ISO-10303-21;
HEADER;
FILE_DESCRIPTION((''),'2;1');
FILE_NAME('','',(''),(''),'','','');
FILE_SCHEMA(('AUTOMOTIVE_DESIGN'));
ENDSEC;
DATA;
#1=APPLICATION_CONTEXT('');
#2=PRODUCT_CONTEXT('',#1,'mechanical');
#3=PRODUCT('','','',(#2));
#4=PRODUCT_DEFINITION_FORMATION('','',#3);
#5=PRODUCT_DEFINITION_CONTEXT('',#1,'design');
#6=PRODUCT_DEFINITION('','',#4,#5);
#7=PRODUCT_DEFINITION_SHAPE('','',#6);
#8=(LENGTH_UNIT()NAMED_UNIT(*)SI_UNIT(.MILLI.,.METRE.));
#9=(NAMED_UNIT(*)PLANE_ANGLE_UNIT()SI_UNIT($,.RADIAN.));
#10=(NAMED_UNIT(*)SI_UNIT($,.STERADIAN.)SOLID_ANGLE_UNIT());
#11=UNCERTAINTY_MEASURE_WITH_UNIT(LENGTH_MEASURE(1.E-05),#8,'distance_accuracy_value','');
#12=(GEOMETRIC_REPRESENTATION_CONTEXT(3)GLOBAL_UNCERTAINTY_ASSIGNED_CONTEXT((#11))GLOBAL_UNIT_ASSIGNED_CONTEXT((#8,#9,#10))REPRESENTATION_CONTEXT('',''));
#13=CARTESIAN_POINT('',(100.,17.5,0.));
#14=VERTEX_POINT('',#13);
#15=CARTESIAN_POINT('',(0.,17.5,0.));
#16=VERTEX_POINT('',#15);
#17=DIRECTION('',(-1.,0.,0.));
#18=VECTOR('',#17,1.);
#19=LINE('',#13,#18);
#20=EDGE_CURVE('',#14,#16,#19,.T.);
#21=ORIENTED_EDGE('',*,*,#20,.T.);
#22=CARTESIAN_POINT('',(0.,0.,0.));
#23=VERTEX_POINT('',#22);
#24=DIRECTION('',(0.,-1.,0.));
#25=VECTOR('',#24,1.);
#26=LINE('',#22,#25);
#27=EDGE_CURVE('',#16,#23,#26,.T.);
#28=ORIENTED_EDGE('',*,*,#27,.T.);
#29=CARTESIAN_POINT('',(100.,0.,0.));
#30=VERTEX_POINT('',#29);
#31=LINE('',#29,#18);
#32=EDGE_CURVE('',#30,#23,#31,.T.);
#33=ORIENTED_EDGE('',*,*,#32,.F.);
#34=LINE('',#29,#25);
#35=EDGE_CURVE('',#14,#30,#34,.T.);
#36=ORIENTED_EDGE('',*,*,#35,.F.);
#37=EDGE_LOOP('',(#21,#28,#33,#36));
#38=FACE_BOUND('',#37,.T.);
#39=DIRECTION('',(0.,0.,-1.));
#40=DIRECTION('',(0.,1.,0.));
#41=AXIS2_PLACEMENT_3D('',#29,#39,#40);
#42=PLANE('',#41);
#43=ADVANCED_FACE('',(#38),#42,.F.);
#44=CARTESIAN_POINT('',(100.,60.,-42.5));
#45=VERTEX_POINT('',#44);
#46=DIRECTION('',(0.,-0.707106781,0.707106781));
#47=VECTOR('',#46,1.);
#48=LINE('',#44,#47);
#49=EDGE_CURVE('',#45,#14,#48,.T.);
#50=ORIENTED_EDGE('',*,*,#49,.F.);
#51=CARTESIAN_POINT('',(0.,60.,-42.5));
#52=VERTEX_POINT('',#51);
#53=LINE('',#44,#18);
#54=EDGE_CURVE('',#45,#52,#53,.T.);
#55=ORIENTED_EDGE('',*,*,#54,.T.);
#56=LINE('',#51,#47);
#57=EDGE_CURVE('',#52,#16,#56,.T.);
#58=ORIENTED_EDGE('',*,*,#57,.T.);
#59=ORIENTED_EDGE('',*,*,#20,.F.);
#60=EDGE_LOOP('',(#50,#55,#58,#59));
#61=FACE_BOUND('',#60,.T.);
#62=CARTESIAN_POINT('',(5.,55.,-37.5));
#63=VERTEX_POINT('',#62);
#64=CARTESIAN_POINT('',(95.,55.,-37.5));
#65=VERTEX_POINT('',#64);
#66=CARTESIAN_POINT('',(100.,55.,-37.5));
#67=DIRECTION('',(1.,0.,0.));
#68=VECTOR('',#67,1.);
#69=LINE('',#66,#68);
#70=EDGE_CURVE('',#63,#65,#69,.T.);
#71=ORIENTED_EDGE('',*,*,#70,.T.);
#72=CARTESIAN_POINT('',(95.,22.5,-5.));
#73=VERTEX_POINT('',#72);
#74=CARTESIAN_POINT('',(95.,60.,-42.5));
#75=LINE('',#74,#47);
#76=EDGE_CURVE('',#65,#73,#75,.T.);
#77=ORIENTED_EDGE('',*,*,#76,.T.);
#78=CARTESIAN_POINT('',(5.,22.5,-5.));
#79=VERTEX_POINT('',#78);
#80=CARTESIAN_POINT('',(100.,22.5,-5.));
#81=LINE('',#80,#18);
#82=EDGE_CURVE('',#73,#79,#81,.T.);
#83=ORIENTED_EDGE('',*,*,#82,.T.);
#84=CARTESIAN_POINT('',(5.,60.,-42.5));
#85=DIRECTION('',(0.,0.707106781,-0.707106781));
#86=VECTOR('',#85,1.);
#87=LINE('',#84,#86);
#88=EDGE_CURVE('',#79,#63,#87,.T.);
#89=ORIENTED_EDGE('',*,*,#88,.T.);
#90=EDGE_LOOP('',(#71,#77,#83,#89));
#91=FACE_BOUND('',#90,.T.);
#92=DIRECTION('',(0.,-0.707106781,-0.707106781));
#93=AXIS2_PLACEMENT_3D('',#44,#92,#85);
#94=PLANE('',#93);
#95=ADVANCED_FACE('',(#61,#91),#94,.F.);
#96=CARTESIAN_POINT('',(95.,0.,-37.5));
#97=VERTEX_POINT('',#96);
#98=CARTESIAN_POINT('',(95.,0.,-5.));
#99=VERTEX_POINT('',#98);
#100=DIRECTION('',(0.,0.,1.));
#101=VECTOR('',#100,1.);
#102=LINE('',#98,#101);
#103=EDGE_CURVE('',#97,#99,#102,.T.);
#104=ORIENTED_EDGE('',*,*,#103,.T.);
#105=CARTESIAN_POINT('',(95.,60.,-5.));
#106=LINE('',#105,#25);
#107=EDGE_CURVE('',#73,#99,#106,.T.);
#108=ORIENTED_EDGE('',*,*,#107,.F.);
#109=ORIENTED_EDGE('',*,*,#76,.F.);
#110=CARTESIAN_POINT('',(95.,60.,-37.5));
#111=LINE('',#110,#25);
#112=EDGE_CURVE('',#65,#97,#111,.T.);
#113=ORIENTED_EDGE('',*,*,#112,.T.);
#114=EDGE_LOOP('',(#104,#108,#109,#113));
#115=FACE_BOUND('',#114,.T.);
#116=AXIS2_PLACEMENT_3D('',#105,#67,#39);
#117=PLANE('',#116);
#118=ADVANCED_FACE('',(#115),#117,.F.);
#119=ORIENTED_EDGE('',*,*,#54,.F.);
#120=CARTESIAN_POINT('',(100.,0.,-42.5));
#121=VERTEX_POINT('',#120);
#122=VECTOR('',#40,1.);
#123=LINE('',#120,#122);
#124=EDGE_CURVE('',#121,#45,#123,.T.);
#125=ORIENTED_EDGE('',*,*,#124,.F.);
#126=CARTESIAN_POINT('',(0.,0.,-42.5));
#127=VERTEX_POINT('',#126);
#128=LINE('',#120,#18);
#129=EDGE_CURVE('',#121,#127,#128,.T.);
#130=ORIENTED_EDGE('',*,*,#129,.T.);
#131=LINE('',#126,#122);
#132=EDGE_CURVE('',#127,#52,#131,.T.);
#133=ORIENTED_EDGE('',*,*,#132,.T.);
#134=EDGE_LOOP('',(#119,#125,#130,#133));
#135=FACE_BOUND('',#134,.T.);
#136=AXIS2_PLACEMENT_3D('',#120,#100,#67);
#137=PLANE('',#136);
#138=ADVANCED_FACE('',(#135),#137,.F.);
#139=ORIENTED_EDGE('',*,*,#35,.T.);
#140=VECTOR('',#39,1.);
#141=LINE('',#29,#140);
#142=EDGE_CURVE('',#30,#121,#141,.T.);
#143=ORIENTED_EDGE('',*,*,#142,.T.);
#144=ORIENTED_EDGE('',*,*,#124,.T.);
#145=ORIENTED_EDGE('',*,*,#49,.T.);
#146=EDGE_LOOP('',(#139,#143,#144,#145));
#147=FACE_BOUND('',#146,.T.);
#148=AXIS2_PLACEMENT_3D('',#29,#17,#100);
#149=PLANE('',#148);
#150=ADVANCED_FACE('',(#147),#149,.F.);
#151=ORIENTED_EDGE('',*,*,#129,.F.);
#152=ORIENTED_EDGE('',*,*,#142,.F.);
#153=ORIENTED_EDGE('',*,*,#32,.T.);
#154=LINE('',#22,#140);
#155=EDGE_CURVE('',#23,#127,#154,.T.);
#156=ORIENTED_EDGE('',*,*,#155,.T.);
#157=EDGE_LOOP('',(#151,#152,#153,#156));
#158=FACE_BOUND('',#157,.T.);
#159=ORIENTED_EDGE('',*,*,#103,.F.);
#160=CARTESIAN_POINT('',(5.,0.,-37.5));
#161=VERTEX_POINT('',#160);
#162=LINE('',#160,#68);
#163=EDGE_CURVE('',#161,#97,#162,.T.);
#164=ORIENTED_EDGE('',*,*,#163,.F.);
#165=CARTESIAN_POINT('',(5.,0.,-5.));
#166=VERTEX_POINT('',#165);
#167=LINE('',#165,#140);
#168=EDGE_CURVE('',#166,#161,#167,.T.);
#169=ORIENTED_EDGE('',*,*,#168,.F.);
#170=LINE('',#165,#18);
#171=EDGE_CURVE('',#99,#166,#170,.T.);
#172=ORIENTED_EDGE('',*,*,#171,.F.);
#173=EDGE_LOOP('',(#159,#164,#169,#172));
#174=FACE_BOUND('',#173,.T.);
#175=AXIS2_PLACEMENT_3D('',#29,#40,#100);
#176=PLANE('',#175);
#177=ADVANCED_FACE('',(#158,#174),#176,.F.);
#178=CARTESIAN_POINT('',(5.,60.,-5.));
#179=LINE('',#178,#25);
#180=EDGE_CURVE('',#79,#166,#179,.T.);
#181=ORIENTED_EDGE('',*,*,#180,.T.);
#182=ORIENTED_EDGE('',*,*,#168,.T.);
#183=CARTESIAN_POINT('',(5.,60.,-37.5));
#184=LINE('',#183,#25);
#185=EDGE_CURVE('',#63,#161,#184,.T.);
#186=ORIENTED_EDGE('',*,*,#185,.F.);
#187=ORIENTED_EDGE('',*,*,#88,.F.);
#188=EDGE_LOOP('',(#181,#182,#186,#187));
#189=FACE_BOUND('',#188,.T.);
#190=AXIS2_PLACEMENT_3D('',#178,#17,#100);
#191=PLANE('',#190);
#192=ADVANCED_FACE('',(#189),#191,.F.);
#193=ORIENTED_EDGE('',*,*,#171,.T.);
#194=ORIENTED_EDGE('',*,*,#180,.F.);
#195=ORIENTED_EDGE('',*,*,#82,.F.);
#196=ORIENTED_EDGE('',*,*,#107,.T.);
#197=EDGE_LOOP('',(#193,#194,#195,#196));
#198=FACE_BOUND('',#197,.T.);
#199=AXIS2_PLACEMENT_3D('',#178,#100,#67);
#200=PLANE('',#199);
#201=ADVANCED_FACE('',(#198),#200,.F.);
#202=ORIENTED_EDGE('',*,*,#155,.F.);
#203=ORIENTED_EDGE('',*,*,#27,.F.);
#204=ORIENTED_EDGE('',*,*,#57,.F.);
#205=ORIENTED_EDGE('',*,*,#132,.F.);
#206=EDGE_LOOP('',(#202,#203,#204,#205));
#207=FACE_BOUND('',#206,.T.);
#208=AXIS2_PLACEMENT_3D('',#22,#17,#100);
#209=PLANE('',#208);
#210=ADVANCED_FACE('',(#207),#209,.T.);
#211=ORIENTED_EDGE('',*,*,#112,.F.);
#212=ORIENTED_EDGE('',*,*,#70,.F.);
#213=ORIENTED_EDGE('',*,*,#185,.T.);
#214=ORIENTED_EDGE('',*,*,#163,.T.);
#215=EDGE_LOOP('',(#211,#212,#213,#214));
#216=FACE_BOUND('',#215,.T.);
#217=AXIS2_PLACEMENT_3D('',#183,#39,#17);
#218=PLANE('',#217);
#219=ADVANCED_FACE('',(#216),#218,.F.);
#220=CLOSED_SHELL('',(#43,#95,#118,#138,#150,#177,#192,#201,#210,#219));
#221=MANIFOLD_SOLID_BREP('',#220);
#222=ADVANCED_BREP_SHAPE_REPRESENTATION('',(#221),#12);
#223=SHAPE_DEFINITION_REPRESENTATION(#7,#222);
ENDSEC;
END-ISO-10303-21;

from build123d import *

# Parameters (mm, degrees)
BOSS_EXTRUDE2_DEPTH = 100
SKETCH3_W           = 90
SKETCH3_H           = 32.5
CUT_EXTRUDE1_DEPTH  = 60


with BuildPart() as part:
    # Sketch2 → Boss-Extrude2 (new body)
    with BuildSketch(Plane(origin=(0, 0, 0), x_dir=(0, 0, -1), z_dir=(1, 0, 0))):
        Polygon((42.5, 60), (0, 17.5), (0, 0), (42.5, 0), align=None)
    extrude(amount=BOSS_EXTRUDE2_DEPTH)

    # Sketch3 → Cut-Extrude1 (cut)
    with BuildSketch(Plane.XZ):
        with Locations((50, -21.25)):
            Rectangle(SKETCH3_W, SKETCH3_H)
    extrude(amount=-CUT_EXTRUDE1_DEPTH, mode=Mode.SUBTRACT)


solid = part.part
